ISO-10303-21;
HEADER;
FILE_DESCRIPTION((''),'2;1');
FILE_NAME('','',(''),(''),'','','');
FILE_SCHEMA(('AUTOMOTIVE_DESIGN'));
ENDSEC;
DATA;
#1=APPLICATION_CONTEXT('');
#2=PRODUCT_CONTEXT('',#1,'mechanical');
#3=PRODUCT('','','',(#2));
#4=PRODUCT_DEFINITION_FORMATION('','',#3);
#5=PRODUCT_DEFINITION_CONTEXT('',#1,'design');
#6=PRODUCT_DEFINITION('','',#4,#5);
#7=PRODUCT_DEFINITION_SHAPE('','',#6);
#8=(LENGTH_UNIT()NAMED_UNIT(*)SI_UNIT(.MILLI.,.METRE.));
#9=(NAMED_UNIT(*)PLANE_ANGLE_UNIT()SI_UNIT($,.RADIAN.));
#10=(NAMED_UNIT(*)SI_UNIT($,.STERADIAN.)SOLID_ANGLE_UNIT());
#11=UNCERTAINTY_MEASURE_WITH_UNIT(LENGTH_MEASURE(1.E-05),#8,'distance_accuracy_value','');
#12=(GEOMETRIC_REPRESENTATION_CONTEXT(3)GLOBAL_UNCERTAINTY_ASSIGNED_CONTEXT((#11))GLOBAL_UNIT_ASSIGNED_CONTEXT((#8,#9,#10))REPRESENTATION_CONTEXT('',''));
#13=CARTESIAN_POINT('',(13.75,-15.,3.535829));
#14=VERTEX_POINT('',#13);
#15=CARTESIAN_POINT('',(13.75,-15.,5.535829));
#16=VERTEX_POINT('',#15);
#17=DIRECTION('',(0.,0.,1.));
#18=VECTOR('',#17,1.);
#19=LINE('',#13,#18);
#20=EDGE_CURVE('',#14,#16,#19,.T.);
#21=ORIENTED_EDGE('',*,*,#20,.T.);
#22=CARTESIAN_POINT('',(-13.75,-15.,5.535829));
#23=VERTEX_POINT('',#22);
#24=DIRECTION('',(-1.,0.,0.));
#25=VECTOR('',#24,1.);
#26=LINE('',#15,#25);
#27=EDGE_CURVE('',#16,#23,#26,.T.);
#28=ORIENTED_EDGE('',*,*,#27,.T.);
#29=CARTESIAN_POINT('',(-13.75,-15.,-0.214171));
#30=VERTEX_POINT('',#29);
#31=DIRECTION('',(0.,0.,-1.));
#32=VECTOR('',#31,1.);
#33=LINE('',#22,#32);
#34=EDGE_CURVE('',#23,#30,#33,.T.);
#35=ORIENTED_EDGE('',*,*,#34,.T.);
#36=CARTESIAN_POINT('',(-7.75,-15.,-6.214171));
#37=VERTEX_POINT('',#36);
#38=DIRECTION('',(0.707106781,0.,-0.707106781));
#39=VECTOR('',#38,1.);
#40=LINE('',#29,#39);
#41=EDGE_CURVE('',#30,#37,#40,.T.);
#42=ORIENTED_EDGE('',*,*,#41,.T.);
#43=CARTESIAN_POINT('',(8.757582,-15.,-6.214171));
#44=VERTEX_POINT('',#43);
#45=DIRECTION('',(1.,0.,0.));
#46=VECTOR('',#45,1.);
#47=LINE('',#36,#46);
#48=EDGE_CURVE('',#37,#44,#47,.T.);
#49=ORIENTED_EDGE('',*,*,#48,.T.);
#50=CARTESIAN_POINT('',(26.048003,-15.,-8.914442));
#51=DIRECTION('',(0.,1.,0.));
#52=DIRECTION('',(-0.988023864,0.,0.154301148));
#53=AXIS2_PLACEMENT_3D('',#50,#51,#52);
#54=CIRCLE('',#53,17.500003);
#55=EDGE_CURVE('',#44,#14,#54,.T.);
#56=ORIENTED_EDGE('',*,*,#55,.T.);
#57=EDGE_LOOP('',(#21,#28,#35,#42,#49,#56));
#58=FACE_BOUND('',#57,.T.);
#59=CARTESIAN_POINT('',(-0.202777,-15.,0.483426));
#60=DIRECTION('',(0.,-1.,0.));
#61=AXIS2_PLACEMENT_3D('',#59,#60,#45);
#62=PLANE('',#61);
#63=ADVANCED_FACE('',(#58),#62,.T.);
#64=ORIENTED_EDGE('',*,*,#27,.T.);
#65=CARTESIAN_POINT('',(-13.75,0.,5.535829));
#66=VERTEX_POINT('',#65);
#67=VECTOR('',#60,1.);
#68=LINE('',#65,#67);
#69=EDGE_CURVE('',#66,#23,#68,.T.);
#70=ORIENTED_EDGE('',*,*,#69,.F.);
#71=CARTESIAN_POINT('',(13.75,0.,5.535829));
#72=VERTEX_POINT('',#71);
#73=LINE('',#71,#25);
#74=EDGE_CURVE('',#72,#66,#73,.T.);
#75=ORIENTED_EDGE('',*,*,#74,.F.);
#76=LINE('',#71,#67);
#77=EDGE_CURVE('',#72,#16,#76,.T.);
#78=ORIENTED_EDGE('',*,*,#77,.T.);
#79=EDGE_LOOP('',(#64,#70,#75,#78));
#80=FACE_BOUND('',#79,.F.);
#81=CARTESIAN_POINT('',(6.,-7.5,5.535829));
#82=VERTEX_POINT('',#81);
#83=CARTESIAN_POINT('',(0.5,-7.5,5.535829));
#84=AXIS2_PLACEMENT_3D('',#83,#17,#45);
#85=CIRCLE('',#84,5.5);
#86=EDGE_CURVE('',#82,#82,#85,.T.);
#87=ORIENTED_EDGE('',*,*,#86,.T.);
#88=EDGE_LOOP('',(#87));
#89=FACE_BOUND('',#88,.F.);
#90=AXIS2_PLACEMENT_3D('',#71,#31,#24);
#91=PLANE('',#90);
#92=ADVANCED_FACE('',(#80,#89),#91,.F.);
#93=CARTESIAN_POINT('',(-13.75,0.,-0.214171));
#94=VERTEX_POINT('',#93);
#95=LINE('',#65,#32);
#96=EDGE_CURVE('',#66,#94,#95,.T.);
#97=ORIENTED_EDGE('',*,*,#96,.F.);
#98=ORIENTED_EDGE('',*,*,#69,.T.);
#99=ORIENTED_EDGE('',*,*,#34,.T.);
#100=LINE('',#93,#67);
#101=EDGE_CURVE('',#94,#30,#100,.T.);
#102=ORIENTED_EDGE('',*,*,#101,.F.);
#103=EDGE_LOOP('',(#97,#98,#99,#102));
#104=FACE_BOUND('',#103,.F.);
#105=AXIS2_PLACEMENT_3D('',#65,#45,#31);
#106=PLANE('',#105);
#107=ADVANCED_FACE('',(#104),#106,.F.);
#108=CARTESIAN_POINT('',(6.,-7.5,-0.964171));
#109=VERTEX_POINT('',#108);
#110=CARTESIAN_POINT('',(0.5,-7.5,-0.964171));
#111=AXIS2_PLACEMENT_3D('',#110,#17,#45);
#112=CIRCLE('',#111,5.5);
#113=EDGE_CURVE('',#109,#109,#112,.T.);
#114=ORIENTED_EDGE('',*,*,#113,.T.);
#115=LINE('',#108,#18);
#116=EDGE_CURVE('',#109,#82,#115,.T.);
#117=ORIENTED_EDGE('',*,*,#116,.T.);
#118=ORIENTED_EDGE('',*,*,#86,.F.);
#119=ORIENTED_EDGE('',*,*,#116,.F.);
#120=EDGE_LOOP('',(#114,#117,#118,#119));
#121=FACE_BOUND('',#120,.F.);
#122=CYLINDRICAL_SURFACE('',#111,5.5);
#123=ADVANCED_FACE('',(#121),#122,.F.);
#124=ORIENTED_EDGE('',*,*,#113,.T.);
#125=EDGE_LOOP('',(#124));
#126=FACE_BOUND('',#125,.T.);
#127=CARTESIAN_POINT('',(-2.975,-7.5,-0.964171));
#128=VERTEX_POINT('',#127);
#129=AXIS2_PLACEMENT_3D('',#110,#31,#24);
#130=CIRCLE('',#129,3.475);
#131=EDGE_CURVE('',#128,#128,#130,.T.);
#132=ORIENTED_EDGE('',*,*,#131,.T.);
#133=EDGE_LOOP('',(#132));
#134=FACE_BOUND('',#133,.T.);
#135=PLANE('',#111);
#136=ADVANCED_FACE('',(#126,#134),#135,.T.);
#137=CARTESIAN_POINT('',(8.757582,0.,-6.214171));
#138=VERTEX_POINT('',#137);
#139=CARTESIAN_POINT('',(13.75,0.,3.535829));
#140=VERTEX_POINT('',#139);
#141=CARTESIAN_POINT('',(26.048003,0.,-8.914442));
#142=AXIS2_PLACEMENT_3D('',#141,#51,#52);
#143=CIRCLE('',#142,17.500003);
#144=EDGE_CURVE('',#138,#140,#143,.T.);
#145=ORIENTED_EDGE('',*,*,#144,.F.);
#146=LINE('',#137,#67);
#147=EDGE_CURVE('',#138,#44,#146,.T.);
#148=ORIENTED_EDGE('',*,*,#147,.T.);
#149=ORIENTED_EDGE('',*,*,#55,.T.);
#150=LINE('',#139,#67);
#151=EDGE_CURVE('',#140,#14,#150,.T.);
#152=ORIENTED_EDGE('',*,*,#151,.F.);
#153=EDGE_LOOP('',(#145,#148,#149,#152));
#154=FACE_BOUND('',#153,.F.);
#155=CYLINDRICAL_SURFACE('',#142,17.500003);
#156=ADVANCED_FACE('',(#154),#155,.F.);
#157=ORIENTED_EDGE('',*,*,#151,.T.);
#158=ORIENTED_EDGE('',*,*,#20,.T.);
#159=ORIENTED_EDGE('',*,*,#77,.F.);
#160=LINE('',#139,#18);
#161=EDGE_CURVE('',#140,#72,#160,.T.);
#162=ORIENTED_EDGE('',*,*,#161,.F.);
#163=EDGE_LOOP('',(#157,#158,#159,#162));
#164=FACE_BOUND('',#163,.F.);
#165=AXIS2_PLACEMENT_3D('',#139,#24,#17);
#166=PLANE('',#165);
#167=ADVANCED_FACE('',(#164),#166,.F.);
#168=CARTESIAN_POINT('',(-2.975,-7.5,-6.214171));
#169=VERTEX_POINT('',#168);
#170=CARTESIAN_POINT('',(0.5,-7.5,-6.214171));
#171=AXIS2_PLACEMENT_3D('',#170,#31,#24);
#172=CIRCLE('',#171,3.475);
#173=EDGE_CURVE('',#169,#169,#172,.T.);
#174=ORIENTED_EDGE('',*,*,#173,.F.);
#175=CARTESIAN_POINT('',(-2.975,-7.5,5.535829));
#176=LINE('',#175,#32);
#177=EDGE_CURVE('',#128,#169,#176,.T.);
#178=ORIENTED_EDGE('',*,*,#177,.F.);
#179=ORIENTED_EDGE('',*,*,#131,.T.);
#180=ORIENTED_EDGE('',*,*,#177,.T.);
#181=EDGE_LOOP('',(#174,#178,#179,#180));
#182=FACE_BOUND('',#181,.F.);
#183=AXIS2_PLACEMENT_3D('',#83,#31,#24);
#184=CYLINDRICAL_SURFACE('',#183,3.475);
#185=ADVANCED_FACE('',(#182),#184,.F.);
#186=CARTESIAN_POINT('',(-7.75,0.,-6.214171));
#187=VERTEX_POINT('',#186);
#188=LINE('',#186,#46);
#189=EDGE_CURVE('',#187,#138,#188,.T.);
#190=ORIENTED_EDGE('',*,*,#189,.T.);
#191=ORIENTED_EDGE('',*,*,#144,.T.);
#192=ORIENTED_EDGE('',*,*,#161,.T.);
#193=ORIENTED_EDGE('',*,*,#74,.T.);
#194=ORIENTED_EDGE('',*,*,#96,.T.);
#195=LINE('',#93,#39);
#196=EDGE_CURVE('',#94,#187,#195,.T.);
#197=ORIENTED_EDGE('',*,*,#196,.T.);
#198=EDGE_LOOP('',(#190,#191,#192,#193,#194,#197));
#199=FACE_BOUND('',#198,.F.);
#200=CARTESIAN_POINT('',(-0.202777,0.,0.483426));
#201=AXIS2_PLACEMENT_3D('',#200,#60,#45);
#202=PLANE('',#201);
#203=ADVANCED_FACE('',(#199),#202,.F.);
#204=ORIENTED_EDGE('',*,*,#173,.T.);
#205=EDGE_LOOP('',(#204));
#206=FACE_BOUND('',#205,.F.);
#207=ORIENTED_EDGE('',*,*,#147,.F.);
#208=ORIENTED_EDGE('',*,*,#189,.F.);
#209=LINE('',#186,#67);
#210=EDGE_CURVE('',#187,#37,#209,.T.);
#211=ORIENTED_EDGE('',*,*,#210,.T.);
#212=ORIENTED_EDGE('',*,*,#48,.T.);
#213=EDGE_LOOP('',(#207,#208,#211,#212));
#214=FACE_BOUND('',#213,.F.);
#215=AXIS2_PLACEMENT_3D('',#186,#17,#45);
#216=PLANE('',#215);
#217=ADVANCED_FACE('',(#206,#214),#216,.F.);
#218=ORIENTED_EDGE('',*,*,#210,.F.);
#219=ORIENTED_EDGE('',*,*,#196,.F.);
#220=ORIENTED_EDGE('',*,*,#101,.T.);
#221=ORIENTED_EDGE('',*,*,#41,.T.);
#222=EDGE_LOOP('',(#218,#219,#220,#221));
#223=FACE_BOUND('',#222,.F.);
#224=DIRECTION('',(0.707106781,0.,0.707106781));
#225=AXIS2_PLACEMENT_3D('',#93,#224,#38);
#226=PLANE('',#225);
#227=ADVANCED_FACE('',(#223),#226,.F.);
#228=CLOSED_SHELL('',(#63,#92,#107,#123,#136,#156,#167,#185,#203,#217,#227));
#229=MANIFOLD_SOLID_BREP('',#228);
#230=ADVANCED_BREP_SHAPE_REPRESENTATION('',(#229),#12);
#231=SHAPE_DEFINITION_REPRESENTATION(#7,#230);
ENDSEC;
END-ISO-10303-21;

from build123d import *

# Parameters (mm, degrees)
F1_DEPTH       = 15
F3_D           = 6.95
F3_CBORE_D     = 11
F3_CBORE_DEPTH = 6.5


with BuildPart() as f1:
    # F0 (on Front) → F1 (new body)
    with BuildSketch(Plane.XZ):
        with BuildLine():
            Line((13.75, 5.535829), (-13.75, 5.535829))
            Line((-13.75, 5.535829), (-13.75, -0.214171))
            Line((-13.75, -0.214171), (-7.75, -6.214171))
            Line((-7.75, -6.214171), (8.757582, -6.214171))
            ThreePointArc((8.757582, -6.214171), (10.471279, -0.938491), (13.75, 3.535829))
            Line((13.75, 3.535829), (13.75, 5.535829))
        make_face()
    extrude(amount=F1_DEPTH)

    # F3 (through all)
    with Locations(Plane.XY.offset(5.535829)):
        with Locations((0.5, -7.5)):
            CounterBoreHole(F3_D / 2, F3_CBORE_D / 2, F3_CBORE_DEPTH)


solid = f1.part
